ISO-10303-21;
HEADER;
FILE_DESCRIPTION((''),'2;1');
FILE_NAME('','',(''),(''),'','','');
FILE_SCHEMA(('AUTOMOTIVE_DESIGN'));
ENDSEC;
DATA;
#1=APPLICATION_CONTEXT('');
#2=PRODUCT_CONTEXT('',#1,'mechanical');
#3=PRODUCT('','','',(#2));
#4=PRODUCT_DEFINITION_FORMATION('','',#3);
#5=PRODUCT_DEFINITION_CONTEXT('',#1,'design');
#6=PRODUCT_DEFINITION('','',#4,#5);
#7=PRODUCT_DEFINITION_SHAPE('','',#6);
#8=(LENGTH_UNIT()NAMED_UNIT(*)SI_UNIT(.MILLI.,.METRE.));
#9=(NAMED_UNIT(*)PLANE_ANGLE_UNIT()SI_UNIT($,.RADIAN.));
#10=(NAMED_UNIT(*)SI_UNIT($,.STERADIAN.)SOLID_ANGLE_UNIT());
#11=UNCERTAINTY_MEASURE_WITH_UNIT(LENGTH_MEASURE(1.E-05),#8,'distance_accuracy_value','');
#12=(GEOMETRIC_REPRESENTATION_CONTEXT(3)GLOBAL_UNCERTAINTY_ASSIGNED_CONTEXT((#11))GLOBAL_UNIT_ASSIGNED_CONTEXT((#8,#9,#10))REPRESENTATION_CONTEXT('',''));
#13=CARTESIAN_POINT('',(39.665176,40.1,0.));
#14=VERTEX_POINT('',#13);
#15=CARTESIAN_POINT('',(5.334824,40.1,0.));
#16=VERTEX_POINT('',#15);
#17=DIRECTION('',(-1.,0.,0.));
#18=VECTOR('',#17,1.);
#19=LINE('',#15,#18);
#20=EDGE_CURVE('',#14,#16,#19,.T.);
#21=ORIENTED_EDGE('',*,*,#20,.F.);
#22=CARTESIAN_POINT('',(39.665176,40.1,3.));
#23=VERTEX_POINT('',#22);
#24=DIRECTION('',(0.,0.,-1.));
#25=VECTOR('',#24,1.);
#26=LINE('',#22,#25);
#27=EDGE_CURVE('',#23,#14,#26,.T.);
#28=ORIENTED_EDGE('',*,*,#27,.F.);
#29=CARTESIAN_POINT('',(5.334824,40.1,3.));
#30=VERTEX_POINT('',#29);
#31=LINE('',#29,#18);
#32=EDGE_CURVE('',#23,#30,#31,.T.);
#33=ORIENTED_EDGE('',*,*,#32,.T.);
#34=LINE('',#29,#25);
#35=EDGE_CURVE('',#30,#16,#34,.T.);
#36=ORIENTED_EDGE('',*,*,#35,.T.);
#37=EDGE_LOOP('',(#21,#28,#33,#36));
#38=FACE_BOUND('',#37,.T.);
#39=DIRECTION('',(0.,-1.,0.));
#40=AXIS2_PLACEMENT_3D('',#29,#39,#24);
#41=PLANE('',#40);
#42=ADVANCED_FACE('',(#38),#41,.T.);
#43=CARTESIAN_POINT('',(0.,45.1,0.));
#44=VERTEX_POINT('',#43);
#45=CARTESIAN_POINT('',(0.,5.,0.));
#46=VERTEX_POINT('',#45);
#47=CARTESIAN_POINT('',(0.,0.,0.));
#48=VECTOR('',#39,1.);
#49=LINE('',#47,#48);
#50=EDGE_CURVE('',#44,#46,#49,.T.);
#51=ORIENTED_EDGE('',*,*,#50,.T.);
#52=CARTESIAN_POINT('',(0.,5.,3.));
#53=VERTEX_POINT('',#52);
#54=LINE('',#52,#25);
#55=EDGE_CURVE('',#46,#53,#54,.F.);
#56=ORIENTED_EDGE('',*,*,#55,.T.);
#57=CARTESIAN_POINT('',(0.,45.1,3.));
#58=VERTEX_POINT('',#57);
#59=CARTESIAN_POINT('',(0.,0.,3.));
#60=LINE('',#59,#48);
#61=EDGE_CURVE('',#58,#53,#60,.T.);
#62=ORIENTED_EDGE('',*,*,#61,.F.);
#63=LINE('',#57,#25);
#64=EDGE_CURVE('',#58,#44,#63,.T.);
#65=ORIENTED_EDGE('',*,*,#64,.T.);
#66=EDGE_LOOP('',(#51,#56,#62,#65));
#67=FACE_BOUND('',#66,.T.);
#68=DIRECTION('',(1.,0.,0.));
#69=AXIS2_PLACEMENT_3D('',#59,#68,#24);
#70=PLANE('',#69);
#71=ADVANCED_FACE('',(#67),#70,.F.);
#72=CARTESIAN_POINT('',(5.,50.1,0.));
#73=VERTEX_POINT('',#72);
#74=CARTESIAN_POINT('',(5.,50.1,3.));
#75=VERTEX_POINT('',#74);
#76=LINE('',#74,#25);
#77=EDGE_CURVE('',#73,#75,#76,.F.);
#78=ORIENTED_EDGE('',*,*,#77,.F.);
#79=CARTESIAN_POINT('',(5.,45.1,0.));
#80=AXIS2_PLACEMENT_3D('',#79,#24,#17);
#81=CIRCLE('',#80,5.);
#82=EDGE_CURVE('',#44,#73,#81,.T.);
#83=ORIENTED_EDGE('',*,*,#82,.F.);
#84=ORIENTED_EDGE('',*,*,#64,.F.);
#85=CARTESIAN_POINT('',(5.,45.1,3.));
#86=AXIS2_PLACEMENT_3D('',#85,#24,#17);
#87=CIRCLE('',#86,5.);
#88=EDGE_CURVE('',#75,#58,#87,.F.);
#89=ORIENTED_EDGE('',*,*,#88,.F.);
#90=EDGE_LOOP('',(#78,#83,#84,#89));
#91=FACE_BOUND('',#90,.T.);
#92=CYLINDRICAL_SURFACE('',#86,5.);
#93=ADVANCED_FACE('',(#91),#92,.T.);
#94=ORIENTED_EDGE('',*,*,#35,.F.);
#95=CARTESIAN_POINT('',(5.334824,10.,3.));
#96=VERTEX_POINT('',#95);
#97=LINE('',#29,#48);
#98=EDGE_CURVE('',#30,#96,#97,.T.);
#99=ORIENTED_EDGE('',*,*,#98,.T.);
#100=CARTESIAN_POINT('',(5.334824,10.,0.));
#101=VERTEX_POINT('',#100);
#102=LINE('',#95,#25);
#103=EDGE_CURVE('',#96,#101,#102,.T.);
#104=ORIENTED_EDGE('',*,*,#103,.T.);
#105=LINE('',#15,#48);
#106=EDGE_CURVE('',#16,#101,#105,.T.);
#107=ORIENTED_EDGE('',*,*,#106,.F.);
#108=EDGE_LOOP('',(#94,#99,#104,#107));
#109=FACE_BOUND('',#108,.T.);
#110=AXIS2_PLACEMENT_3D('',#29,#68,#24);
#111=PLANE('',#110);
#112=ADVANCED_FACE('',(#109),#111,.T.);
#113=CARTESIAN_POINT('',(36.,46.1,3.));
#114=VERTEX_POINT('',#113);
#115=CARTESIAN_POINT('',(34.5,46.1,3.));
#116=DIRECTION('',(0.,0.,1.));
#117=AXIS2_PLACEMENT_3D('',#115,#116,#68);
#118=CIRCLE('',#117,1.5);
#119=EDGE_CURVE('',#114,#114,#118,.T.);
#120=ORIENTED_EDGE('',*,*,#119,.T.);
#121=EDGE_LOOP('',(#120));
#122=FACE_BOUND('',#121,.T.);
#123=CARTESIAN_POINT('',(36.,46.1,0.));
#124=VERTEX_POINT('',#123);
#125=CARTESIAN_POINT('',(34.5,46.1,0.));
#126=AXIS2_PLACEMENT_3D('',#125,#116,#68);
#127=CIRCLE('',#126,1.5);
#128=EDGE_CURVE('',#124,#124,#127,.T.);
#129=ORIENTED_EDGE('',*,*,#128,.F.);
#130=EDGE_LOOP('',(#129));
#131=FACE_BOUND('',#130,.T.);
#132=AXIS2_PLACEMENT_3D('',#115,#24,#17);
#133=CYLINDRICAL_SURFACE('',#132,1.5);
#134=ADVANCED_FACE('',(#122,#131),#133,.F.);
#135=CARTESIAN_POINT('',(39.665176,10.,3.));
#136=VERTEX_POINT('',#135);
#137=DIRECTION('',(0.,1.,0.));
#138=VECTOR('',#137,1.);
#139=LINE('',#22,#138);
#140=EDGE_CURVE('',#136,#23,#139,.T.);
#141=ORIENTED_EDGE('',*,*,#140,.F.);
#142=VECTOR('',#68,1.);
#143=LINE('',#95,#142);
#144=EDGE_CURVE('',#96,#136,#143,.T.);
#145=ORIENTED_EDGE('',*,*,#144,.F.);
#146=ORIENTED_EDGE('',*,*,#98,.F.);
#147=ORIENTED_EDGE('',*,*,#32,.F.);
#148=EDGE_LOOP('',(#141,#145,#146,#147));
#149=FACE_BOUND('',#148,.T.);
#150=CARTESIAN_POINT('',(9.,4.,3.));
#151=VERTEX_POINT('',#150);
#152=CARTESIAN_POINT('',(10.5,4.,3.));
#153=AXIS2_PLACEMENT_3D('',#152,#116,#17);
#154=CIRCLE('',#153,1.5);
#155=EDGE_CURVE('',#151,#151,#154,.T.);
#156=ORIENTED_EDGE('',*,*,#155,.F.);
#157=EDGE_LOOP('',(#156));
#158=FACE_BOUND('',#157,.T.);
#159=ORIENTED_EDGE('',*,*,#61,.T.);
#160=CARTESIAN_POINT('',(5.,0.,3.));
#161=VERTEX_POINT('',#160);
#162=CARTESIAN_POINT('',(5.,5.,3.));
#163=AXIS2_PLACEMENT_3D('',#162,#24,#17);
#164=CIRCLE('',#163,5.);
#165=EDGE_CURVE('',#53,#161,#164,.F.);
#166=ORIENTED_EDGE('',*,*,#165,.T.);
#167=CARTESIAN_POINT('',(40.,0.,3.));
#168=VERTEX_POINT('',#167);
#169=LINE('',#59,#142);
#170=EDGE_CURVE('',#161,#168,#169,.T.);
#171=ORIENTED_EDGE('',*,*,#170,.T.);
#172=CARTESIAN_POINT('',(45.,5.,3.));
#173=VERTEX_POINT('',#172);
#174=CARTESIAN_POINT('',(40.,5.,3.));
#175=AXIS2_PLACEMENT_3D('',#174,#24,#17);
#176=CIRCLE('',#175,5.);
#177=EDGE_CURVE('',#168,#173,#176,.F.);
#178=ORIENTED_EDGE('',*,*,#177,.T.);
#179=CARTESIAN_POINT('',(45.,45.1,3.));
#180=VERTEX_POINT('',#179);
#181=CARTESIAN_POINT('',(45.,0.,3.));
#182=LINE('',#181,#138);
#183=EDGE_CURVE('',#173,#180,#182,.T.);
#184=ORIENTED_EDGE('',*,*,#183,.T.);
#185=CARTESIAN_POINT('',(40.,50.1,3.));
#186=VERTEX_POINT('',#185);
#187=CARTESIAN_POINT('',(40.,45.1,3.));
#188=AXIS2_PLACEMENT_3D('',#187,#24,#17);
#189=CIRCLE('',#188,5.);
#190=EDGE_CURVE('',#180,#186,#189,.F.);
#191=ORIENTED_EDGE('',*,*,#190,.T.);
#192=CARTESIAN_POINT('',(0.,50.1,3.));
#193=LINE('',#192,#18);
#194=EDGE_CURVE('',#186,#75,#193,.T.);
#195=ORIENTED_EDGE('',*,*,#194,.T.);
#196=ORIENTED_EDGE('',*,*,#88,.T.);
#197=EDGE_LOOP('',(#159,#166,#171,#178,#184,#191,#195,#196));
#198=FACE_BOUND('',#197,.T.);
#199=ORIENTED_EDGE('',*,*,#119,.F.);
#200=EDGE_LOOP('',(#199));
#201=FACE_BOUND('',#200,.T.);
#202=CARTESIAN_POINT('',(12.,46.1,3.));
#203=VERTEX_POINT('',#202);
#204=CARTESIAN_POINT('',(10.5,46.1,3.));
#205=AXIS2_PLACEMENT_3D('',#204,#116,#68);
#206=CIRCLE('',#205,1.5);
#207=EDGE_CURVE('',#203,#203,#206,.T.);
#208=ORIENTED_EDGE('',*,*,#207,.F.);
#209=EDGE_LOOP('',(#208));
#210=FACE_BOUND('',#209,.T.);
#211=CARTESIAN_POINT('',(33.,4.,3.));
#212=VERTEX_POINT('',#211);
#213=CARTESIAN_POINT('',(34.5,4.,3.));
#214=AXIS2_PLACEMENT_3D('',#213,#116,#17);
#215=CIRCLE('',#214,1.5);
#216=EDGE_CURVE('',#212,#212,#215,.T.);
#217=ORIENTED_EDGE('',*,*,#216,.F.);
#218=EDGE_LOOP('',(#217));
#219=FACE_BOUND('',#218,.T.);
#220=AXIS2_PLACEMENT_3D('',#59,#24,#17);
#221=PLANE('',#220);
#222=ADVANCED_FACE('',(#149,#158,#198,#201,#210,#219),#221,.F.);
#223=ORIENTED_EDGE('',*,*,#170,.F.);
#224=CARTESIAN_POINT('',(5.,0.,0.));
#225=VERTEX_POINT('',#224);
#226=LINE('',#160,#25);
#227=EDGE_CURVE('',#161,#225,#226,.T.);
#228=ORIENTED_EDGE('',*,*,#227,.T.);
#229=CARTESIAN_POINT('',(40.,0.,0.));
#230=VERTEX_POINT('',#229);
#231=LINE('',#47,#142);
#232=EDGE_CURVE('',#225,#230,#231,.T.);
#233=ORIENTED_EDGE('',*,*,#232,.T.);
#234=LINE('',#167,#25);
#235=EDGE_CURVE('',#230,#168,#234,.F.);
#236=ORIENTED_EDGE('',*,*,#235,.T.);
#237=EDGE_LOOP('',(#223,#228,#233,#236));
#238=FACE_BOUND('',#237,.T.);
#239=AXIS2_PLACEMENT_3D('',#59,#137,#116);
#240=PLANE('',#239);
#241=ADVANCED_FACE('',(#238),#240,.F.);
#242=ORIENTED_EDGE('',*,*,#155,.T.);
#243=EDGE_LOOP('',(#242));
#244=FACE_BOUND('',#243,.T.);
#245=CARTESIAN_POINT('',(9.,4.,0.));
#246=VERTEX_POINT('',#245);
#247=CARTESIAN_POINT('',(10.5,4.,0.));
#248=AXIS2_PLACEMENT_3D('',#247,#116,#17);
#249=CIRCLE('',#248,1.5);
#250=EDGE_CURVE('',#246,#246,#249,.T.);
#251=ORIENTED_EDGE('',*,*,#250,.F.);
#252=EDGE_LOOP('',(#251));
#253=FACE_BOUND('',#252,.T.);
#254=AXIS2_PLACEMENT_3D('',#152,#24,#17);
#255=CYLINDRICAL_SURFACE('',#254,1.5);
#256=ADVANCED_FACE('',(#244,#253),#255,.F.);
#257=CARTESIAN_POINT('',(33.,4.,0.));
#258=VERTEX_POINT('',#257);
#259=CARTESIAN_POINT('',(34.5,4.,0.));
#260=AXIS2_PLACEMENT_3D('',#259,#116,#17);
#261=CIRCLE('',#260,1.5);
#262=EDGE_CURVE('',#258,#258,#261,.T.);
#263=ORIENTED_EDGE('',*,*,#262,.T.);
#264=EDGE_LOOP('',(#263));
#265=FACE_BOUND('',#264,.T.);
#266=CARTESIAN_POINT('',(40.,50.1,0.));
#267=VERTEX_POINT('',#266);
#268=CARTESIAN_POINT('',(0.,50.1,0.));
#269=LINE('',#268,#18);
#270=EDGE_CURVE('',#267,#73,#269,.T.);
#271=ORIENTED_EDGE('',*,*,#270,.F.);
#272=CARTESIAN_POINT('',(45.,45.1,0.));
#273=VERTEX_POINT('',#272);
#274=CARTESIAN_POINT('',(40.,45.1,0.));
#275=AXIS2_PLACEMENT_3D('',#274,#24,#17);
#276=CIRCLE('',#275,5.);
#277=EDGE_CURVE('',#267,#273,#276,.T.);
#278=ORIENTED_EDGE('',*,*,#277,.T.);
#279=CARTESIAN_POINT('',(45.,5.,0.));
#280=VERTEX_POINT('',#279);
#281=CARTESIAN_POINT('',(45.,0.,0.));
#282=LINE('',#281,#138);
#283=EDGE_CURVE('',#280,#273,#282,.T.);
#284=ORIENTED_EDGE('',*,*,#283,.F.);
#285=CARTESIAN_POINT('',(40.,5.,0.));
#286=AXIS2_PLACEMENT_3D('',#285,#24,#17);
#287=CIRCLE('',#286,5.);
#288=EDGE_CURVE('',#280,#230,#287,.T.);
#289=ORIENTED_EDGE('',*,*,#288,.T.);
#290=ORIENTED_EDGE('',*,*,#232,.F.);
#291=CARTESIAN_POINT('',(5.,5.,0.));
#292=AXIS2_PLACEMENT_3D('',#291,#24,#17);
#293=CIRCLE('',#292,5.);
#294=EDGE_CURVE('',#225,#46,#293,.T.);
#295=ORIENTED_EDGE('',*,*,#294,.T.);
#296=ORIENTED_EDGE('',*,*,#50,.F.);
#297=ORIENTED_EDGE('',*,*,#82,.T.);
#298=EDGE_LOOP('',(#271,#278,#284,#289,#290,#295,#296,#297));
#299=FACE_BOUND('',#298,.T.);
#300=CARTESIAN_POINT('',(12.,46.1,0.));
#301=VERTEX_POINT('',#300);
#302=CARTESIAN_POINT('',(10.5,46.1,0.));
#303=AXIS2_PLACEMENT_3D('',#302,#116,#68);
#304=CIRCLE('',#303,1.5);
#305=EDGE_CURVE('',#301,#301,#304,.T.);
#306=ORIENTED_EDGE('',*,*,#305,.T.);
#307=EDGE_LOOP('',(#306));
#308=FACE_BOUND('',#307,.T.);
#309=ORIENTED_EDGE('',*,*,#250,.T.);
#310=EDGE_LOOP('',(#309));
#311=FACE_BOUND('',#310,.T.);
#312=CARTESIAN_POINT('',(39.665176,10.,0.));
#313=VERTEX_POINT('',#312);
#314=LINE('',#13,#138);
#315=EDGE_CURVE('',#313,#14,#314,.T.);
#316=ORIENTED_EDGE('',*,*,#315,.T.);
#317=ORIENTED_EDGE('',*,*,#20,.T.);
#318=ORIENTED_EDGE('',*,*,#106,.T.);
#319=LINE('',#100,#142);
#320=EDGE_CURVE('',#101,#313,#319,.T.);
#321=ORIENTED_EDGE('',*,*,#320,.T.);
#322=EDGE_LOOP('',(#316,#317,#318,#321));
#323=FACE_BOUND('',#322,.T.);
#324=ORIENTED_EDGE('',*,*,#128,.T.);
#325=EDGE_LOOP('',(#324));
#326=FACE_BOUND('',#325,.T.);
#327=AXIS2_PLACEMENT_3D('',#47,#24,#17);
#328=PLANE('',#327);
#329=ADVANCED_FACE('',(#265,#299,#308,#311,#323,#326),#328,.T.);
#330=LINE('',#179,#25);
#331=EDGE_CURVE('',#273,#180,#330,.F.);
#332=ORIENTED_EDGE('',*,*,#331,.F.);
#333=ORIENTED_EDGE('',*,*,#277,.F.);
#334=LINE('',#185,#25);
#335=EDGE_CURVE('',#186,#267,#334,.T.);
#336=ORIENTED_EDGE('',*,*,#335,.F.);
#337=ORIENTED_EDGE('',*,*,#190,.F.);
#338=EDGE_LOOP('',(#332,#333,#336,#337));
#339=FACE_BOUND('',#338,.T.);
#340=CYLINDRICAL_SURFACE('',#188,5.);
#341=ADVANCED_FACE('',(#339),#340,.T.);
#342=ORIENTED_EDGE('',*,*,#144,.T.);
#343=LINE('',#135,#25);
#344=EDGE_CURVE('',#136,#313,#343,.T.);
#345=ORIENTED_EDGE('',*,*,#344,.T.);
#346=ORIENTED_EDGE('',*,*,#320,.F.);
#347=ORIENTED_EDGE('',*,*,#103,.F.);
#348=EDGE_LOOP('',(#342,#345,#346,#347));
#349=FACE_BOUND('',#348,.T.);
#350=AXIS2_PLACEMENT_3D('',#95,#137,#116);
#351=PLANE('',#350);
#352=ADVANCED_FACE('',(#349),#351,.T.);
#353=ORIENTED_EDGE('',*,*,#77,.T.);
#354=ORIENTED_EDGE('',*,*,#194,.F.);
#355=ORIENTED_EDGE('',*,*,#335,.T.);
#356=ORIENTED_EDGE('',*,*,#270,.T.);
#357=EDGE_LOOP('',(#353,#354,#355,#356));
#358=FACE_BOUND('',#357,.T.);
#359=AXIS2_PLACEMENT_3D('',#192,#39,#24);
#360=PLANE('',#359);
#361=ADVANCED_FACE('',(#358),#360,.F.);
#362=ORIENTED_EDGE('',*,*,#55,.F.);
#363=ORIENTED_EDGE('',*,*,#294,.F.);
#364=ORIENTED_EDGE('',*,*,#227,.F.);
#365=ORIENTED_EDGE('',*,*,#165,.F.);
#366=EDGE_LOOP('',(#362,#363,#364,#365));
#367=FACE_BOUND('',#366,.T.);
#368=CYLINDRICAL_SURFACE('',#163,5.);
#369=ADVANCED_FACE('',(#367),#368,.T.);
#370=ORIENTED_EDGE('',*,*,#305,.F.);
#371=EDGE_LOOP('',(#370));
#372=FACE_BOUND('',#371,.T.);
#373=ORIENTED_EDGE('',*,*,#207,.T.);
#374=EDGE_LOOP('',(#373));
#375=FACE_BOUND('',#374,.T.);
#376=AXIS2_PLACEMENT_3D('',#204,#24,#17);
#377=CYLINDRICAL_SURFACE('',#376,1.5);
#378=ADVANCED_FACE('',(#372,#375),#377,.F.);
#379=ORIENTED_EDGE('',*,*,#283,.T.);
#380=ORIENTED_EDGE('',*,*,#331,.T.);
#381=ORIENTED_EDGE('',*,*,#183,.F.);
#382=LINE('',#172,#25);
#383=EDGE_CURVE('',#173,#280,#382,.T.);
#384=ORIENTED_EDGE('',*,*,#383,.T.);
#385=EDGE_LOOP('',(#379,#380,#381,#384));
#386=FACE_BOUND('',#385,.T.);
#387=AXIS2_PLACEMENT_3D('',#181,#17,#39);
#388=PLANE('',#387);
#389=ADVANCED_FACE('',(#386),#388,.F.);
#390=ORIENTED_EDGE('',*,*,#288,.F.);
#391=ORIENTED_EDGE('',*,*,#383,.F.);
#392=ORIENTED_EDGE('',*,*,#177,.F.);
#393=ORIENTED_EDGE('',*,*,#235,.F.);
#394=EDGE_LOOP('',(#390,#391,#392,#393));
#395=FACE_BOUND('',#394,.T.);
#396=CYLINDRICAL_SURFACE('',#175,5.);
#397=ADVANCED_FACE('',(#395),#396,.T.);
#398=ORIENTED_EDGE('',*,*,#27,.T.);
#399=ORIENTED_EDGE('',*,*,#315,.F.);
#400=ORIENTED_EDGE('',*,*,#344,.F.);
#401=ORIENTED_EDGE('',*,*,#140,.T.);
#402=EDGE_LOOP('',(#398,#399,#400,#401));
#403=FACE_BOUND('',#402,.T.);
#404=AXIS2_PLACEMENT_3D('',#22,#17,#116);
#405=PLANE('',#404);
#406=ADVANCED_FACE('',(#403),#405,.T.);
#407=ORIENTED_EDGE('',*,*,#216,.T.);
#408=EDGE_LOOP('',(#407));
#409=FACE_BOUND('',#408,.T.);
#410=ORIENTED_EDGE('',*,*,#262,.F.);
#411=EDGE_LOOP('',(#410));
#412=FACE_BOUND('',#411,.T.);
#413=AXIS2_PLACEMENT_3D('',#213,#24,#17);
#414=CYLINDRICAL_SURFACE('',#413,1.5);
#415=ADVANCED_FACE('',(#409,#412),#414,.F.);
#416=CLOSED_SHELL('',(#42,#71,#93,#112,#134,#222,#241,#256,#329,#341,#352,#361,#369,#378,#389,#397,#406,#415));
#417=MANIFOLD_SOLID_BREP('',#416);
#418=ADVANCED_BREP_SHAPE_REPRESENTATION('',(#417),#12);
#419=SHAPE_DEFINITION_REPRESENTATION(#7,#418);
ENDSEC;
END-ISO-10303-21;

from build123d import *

# Parameters (mm, degrees)
SKETCH_1_W      = 45
SKETCH_1_H      = 50.1
SKETCH_1_R      = 1.5
SKETCH_1_W_2    = 34.330352234
SKETCH_1_H_2    = 30.1
EXTRUDE_1_DEPTH = 3
FILLET_1_R      = 5


with BuildPart() as part:
    # 草图1 → 凸台-拉伸1 (new body)
    with BuildSketch(Plane.XY):
        with Locations((22.5, 25.05)):
            Rectangle(SKETCH_1_W, SKETCH_1_H)
        with Locations((10.5, 46.1)):
            Circle(SKETCH_1_R, mode=Mode.SUBTRACT)
        with Locations((34.5, 46.1)):
            Circle(SKETCH_1_R, mode=Mode.SUBTRACT)
        with Locations(Location((34.5, 4, 0), (0, 0, 180))):
            Circle(SKETCH_1_R, mode=Mode.SUBTRACT)
        with Locations(Location((10.5, 4, 0), (0, 0, 180))):
            Circle(SKETCH_1_R, mode=Mode.SUBTRACT)
        with Locations((22.5, 25.05)):
            Rectangle(SKETCH_1_W_2, SKETCH_1_H_2, mode=Mode.SUBTRACT)
    extrude(amount=EXTRUDE_1_DEPTH)

    # 圆角1
    fillet_1_edges = [part.edges().sort_by_distance(p)[0] for p in [
        (0, 50.1, 1.5),
        (45, 50.1, 1.5),
        (45, 0, 1.5),
        (0, 0, 1.5),
    ]]
    fillet(fillet_1_edges, radius=FILLET_1_R)


solid = part.part
